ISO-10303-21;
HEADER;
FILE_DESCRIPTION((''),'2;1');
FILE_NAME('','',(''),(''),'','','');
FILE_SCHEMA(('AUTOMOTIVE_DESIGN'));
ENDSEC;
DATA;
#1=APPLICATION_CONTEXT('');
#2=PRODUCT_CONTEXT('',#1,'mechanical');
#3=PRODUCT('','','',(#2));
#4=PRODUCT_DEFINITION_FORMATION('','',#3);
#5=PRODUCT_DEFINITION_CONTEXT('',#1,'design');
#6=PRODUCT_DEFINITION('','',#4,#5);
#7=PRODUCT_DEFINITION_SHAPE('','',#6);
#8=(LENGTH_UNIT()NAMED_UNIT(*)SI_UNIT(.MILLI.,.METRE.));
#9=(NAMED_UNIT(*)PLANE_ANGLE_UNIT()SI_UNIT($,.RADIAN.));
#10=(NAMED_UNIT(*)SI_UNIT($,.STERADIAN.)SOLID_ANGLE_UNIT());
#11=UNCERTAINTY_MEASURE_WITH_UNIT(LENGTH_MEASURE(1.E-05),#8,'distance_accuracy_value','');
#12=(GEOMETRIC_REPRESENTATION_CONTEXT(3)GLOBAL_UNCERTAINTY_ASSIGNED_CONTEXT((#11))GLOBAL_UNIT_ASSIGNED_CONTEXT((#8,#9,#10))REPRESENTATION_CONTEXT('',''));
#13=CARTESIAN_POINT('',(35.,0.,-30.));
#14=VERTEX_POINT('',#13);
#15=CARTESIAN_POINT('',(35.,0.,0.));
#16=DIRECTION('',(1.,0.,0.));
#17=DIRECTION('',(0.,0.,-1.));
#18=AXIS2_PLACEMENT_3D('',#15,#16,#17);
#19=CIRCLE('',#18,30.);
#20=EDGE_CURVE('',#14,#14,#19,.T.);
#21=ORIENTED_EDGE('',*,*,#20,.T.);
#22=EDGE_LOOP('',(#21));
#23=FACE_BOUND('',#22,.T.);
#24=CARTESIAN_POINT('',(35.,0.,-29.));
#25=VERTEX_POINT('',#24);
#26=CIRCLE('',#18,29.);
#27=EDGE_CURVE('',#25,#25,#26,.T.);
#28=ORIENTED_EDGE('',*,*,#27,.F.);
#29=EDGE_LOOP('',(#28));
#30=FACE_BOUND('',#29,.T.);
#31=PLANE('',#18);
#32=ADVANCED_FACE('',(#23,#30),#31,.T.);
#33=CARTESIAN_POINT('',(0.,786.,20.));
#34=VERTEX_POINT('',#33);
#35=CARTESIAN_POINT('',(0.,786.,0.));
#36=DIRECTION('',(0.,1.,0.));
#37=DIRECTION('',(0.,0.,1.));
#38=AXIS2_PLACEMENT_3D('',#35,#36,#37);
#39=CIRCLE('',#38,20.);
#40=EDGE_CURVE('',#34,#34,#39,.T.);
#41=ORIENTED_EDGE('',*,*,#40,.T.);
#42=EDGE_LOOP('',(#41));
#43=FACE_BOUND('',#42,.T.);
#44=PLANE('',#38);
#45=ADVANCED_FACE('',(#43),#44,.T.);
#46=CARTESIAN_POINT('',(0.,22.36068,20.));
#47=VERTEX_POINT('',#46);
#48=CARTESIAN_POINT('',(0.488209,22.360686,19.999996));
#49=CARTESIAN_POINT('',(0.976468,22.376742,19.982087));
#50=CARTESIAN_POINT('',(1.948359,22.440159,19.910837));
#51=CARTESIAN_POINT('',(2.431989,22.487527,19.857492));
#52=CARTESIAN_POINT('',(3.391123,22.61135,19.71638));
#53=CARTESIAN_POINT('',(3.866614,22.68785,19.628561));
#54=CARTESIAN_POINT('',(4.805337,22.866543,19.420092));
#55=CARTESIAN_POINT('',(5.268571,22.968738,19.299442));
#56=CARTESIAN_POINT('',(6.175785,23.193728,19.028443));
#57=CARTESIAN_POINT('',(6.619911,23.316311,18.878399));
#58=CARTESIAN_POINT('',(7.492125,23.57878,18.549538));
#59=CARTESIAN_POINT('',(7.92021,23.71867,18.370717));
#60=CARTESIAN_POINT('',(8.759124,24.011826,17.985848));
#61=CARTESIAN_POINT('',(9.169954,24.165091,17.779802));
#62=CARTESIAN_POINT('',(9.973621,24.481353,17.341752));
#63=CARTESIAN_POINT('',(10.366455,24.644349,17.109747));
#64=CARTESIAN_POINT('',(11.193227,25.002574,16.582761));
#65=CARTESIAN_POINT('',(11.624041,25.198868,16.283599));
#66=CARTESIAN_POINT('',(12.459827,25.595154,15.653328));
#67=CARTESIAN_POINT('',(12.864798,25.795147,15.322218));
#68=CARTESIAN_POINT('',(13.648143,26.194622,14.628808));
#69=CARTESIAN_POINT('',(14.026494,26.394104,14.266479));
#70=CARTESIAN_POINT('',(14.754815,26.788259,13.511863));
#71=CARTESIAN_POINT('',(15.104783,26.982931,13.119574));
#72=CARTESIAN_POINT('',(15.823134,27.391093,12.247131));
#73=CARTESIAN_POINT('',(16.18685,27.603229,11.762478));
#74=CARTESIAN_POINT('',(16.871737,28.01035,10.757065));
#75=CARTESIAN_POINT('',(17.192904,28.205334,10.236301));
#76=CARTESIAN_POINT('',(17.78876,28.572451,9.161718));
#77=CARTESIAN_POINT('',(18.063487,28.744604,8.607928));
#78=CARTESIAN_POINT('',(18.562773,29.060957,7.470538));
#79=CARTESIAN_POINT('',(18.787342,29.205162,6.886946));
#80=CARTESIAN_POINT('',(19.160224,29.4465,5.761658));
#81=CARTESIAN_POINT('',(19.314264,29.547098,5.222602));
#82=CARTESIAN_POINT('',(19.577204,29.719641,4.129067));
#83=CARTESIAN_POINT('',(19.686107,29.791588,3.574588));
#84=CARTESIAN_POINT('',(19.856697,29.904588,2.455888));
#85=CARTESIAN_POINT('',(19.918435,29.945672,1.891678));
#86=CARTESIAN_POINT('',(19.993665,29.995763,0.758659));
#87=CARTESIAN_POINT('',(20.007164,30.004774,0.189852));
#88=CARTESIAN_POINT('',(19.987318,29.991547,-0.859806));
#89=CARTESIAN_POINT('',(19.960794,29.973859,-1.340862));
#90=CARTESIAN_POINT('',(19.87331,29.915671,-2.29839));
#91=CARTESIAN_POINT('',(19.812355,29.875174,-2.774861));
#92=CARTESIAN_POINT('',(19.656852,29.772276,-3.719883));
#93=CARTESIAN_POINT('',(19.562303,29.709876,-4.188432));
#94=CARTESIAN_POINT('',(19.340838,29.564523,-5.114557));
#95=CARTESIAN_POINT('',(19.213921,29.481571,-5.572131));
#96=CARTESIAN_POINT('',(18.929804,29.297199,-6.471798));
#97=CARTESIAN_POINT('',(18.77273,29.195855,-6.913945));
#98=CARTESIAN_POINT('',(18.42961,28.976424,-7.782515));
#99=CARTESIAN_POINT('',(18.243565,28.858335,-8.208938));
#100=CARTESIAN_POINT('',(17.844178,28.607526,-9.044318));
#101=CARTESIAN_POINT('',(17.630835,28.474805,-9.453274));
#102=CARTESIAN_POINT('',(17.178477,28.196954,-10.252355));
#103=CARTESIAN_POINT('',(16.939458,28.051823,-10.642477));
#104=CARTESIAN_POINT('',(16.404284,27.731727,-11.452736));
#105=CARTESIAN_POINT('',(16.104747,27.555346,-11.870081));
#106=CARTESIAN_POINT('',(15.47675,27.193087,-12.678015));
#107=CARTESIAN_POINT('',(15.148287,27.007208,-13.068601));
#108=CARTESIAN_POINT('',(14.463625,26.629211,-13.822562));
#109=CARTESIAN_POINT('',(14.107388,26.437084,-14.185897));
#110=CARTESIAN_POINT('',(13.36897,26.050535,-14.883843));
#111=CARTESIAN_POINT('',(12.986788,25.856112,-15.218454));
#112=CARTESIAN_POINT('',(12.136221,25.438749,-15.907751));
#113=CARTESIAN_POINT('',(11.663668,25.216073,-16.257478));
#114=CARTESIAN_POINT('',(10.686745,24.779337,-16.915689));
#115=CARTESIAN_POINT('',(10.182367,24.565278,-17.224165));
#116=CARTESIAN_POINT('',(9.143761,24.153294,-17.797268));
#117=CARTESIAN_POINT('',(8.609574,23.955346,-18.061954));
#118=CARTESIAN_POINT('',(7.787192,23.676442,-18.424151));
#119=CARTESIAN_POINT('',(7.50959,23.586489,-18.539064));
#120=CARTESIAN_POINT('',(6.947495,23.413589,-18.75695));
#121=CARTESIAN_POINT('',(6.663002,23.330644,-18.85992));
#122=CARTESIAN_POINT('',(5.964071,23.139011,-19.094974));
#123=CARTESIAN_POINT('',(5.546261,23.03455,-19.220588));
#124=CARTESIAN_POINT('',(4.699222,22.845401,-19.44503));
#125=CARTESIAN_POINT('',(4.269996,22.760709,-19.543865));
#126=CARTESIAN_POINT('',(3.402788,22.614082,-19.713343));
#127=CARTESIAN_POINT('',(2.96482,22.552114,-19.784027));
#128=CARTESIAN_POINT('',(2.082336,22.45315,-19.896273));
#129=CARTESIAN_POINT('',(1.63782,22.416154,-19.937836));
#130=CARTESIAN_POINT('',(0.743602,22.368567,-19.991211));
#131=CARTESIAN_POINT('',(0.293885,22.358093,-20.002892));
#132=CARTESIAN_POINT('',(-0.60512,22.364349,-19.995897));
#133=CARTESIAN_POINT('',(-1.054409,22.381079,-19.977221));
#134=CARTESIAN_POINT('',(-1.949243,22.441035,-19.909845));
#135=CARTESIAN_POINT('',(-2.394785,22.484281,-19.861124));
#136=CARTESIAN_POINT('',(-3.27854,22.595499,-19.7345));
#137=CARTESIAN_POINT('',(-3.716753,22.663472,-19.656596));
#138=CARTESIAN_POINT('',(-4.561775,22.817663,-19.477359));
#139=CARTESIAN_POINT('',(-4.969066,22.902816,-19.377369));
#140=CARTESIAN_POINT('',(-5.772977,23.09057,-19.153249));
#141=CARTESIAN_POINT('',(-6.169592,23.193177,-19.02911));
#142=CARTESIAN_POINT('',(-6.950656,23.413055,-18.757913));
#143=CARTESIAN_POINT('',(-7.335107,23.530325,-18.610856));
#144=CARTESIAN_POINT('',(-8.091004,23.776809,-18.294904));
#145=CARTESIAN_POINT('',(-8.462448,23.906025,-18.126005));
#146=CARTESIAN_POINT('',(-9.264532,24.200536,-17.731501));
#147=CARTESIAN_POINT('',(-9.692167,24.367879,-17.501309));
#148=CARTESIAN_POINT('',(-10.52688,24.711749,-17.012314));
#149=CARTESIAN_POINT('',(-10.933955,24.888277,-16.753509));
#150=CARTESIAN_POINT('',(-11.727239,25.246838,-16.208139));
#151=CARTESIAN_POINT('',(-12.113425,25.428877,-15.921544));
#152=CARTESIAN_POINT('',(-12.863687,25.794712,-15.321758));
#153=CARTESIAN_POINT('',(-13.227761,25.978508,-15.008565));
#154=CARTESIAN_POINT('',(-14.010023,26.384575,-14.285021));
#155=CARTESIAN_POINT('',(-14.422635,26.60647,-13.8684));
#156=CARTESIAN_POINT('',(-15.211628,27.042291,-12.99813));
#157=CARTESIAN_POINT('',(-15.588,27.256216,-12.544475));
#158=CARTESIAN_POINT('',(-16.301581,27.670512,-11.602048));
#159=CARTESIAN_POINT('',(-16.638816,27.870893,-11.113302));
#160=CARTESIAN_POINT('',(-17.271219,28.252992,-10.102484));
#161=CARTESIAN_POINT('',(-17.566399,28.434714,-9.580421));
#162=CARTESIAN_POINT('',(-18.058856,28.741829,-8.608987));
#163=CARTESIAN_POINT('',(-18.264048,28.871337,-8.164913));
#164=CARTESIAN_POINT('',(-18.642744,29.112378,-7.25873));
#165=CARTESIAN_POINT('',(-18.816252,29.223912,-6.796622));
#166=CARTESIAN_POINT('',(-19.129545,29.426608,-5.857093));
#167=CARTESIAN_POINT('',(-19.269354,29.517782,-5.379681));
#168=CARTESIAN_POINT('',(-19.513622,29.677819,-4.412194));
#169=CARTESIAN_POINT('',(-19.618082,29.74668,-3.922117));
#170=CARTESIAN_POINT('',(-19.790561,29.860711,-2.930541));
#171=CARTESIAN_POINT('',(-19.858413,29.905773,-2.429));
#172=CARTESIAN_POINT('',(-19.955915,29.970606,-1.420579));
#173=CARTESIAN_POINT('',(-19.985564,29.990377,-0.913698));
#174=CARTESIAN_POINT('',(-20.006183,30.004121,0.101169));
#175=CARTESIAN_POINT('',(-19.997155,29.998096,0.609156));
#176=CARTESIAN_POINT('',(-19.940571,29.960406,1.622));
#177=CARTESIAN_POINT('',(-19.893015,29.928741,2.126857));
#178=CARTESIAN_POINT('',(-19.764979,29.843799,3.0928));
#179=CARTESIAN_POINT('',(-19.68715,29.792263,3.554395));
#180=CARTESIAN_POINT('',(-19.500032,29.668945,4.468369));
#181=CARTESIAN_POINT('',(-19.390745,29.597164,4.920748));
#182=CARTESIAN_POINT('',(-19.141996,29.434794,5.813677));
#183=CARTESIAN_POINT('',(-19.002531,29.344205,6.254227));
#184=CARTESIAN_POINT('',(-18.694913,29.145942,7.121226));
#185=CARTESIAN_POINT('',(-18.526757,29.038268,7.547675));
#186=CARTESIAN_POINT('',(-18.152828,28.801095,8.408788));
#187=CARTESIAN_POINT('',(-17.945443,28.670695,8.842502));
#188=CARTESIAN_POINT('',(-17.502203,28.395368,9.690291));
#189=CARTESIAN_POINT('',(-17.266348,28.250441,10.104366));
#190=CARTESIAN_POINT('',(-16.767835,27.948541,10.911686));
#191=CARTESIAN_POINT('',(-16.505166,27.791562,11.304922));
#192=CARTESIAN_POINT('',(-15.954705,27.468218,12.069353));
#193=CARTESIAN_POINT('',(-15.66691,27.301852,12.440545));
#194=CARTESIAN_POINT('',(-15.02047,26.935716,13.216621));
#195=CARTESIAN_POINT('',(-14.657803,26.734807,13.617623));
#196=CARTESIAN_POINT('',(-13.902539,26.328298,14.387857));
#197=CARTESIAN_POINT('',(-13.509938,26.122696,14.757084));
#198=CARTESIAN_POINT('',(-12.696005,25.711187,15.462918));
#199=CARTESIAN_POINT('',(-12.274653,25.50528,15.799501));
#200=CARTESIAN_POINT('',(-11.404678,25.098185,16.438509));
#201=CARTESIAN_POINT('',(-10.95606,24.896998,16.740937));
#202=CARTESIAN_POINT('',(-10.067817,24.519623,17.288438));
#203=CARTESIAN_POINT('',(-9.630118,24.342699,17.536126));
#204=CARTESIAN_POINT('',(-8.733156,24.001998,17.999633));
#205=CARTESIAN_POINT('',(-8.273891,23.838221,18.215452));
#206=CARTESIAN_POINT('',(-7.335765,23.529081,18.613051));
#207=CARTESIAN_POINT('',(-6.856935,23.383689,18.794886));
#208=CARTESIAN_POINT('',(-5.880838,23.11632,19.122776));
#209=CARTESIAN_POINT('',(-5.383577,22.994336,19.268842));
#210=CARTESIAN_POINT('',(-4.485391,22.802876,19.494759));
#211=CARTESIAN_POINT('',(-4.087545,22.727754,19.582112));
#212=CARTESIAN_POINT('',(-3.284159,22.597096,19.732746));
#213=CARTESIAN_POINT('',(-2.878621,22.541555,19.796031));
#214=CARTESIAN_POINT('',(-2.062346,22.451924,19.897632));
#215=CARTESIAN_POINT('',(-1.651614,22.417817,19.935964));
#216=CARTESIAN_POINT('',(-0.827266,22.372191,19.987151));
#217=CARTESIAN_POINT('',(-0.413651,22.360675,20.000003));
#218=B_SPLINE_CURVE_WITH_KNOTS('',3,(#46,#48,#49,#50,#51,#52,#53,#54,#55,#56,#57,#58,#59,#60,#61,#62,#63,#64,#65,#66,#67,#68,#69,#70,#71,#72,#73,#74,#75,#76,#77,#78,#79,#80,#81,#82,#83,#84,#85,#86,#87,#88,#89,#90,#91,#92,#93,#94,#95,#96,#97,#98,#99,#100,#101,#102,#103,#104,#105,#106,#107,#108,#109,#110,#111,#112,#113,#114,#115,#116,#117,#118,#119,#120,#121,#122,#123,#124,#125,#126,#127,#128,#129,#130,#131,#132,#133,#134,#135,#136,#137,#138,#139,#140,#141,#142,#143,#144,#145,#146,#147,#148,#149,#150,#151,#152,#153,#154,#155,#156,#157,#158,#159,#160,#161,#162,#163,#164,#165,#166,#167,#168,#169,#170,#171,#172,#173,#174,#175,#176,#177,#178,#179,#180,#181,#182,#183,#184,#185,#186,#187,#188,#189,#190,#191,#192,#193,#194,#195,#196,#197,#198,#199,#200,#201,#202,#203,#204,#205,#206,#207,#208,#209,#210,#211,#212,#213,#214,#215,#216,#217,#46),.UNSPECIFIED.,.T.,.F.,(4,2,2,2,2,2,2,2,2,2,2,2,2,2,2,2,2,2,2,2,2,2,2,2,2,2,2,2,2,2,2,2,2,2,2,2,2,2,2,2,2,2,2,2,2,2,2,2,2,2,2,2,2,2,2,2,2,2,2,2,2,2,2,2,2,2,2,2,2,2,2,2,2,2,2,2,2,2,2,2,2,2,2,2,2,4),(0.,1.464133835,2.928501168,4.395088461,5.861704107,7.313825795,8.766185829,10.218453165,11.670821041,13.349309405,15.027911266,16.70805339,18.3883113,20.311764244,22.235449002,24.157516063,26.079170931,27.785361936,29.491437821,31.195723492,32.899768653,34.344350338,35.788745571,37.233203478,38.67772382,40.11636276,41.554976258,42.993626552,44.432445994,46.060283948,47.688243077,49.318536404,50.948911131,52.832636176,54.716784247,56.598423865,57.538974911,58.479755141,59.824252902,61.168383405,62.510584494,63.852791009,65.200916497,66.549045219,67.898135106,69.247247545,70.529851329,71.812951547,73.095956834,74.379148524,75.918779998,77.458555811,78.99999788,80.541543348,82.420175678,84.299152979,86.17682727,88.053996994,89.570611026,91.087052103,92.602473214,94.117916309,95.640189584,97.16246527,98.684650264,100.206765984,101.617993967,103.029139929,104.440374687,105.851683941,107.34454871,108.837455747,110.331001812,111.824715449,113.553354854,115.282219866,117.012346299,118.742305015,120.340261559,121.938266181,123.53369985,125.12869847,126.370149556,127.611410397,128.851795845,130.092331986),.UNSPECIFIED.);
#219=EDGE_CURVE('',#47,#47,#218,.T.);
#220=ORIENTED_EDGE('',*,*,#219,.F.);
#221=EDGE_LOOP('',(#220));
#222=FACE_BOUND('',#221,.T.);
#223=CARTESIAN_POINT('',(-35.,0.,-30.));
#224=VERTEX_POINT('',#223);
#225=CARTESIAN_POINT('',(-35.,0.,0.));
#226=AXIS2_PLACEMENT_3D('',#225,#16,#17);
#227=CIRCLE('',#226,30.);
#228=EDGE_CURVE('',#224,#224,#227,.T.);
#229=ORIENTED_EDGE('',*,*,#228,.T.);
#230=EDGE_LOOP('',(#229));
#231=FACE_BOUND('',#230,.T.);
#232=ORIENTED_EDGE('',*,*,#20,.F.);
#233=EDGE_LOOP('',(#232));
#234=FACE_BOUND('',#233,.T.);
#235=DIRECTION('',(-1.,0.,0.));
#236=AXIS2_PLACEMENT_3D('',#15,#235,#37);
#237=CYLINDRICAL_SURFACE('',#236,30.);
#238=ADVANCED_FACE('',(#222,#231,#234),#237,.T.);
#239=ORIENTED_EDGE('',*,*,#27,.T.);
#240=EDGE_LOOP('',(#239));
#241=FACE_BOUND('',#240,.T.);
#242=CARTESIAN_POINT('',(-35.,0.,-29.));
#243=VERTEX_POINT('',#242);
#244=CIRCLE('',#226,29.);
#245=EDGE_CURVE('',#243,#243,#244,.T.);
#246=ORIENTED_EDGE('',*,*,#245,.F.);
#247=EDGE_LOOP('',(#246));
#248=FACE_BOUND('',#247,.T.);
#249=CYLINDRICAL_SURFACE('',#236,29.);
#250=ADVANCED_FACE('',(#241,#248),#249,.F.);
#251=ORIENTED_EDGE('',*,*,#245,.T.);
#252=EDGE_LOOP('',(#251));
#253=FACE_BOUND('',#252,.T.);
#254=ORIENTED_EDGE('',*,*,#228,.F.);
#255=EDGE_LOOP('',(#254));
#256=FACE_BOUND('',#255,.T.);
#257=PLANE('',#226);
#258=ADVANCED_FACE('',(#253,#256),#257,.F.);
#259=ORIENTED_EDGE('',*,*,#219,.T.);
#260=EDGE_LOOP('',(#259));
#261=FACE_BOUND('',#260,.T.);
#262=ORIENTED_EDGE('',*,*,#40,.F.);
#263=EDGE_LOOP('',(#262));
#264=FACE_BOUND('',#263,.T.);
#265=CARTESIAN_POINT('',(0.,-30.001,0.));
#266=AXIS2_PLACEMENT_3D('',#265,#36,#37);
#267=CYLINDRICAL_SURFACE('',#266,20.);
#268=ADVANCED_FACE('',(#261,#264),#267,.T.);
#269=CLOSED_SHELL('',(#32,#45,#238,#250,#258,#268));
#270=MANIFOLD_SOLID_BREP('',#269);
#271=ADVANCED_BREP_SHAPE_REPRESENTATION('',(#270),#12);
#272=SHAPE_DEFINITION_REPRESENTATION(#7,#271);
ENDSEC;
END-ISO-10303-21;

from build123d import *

# Parameters (mm, degrees)
SKETCH2_R                = 30
SKETCH2_R_2              = 29
BOSS_EXTRUDE3_DEPTH      = 35
BOSS_EXTRUDE4_REACH      = 843
BOSS_EXTRUDE4_END_RADIUS = 30
BOSS_EXTRUDE4_START      = 786
SKETCH1_R                = 20


with BuildPart() as part:
    # Sketch2 → Boss-Extrude3 (new, symmetric)
    with BuildSketch(Plane(origin=(0, 0, 0), x_dir=(0, 0, -1), z_dir=(1, 0, 0))):
        Circle(SKETCH2_R)
        Circle(SKETCH2_R_2, mode=Mode.SUBTRACT)
    extrude(amount=BOSS_EXTRUDE3_DEPTH, both=True)

    # Boss-Extrude4: up to this cylinder (the profile starts outside it)
    boss_extrude4_end = Plane(origin=(0, 0, 0), z_dir=(-1, 0, 0)) * Cylinder(BOSS_EXTRUDE4_END_RADIUS, 1747, mode=Mode.PRIVATE)
    # Sketch1 → Boss-Extrude4 (add, up to the surface)
    with BuildSketch(Plane(origin=(0, 0, 0), x_dir=(1, 0, 0), z_dir=(0, 1, 0)).offset(BOSS_EXTRUDE4_START), mode=Mode.PRIVATE) as boss_extrude4_sk1:
        with Locations(Location((0, 0, 0), (0, 0, 270))):
            Circle(SKETCH1_R)
    boss_extrude4_tool1 = extrude(boss_extrude4_sk1.sketch, amount=-BOSS_EXTRUDE4_REACH, mode=Mode.PRIVATE) - boss_extrude4_end
    add(boss_extrude4_tool1.solids().sort_by_distance((0, 786, 0))[0])


solid = part.part
